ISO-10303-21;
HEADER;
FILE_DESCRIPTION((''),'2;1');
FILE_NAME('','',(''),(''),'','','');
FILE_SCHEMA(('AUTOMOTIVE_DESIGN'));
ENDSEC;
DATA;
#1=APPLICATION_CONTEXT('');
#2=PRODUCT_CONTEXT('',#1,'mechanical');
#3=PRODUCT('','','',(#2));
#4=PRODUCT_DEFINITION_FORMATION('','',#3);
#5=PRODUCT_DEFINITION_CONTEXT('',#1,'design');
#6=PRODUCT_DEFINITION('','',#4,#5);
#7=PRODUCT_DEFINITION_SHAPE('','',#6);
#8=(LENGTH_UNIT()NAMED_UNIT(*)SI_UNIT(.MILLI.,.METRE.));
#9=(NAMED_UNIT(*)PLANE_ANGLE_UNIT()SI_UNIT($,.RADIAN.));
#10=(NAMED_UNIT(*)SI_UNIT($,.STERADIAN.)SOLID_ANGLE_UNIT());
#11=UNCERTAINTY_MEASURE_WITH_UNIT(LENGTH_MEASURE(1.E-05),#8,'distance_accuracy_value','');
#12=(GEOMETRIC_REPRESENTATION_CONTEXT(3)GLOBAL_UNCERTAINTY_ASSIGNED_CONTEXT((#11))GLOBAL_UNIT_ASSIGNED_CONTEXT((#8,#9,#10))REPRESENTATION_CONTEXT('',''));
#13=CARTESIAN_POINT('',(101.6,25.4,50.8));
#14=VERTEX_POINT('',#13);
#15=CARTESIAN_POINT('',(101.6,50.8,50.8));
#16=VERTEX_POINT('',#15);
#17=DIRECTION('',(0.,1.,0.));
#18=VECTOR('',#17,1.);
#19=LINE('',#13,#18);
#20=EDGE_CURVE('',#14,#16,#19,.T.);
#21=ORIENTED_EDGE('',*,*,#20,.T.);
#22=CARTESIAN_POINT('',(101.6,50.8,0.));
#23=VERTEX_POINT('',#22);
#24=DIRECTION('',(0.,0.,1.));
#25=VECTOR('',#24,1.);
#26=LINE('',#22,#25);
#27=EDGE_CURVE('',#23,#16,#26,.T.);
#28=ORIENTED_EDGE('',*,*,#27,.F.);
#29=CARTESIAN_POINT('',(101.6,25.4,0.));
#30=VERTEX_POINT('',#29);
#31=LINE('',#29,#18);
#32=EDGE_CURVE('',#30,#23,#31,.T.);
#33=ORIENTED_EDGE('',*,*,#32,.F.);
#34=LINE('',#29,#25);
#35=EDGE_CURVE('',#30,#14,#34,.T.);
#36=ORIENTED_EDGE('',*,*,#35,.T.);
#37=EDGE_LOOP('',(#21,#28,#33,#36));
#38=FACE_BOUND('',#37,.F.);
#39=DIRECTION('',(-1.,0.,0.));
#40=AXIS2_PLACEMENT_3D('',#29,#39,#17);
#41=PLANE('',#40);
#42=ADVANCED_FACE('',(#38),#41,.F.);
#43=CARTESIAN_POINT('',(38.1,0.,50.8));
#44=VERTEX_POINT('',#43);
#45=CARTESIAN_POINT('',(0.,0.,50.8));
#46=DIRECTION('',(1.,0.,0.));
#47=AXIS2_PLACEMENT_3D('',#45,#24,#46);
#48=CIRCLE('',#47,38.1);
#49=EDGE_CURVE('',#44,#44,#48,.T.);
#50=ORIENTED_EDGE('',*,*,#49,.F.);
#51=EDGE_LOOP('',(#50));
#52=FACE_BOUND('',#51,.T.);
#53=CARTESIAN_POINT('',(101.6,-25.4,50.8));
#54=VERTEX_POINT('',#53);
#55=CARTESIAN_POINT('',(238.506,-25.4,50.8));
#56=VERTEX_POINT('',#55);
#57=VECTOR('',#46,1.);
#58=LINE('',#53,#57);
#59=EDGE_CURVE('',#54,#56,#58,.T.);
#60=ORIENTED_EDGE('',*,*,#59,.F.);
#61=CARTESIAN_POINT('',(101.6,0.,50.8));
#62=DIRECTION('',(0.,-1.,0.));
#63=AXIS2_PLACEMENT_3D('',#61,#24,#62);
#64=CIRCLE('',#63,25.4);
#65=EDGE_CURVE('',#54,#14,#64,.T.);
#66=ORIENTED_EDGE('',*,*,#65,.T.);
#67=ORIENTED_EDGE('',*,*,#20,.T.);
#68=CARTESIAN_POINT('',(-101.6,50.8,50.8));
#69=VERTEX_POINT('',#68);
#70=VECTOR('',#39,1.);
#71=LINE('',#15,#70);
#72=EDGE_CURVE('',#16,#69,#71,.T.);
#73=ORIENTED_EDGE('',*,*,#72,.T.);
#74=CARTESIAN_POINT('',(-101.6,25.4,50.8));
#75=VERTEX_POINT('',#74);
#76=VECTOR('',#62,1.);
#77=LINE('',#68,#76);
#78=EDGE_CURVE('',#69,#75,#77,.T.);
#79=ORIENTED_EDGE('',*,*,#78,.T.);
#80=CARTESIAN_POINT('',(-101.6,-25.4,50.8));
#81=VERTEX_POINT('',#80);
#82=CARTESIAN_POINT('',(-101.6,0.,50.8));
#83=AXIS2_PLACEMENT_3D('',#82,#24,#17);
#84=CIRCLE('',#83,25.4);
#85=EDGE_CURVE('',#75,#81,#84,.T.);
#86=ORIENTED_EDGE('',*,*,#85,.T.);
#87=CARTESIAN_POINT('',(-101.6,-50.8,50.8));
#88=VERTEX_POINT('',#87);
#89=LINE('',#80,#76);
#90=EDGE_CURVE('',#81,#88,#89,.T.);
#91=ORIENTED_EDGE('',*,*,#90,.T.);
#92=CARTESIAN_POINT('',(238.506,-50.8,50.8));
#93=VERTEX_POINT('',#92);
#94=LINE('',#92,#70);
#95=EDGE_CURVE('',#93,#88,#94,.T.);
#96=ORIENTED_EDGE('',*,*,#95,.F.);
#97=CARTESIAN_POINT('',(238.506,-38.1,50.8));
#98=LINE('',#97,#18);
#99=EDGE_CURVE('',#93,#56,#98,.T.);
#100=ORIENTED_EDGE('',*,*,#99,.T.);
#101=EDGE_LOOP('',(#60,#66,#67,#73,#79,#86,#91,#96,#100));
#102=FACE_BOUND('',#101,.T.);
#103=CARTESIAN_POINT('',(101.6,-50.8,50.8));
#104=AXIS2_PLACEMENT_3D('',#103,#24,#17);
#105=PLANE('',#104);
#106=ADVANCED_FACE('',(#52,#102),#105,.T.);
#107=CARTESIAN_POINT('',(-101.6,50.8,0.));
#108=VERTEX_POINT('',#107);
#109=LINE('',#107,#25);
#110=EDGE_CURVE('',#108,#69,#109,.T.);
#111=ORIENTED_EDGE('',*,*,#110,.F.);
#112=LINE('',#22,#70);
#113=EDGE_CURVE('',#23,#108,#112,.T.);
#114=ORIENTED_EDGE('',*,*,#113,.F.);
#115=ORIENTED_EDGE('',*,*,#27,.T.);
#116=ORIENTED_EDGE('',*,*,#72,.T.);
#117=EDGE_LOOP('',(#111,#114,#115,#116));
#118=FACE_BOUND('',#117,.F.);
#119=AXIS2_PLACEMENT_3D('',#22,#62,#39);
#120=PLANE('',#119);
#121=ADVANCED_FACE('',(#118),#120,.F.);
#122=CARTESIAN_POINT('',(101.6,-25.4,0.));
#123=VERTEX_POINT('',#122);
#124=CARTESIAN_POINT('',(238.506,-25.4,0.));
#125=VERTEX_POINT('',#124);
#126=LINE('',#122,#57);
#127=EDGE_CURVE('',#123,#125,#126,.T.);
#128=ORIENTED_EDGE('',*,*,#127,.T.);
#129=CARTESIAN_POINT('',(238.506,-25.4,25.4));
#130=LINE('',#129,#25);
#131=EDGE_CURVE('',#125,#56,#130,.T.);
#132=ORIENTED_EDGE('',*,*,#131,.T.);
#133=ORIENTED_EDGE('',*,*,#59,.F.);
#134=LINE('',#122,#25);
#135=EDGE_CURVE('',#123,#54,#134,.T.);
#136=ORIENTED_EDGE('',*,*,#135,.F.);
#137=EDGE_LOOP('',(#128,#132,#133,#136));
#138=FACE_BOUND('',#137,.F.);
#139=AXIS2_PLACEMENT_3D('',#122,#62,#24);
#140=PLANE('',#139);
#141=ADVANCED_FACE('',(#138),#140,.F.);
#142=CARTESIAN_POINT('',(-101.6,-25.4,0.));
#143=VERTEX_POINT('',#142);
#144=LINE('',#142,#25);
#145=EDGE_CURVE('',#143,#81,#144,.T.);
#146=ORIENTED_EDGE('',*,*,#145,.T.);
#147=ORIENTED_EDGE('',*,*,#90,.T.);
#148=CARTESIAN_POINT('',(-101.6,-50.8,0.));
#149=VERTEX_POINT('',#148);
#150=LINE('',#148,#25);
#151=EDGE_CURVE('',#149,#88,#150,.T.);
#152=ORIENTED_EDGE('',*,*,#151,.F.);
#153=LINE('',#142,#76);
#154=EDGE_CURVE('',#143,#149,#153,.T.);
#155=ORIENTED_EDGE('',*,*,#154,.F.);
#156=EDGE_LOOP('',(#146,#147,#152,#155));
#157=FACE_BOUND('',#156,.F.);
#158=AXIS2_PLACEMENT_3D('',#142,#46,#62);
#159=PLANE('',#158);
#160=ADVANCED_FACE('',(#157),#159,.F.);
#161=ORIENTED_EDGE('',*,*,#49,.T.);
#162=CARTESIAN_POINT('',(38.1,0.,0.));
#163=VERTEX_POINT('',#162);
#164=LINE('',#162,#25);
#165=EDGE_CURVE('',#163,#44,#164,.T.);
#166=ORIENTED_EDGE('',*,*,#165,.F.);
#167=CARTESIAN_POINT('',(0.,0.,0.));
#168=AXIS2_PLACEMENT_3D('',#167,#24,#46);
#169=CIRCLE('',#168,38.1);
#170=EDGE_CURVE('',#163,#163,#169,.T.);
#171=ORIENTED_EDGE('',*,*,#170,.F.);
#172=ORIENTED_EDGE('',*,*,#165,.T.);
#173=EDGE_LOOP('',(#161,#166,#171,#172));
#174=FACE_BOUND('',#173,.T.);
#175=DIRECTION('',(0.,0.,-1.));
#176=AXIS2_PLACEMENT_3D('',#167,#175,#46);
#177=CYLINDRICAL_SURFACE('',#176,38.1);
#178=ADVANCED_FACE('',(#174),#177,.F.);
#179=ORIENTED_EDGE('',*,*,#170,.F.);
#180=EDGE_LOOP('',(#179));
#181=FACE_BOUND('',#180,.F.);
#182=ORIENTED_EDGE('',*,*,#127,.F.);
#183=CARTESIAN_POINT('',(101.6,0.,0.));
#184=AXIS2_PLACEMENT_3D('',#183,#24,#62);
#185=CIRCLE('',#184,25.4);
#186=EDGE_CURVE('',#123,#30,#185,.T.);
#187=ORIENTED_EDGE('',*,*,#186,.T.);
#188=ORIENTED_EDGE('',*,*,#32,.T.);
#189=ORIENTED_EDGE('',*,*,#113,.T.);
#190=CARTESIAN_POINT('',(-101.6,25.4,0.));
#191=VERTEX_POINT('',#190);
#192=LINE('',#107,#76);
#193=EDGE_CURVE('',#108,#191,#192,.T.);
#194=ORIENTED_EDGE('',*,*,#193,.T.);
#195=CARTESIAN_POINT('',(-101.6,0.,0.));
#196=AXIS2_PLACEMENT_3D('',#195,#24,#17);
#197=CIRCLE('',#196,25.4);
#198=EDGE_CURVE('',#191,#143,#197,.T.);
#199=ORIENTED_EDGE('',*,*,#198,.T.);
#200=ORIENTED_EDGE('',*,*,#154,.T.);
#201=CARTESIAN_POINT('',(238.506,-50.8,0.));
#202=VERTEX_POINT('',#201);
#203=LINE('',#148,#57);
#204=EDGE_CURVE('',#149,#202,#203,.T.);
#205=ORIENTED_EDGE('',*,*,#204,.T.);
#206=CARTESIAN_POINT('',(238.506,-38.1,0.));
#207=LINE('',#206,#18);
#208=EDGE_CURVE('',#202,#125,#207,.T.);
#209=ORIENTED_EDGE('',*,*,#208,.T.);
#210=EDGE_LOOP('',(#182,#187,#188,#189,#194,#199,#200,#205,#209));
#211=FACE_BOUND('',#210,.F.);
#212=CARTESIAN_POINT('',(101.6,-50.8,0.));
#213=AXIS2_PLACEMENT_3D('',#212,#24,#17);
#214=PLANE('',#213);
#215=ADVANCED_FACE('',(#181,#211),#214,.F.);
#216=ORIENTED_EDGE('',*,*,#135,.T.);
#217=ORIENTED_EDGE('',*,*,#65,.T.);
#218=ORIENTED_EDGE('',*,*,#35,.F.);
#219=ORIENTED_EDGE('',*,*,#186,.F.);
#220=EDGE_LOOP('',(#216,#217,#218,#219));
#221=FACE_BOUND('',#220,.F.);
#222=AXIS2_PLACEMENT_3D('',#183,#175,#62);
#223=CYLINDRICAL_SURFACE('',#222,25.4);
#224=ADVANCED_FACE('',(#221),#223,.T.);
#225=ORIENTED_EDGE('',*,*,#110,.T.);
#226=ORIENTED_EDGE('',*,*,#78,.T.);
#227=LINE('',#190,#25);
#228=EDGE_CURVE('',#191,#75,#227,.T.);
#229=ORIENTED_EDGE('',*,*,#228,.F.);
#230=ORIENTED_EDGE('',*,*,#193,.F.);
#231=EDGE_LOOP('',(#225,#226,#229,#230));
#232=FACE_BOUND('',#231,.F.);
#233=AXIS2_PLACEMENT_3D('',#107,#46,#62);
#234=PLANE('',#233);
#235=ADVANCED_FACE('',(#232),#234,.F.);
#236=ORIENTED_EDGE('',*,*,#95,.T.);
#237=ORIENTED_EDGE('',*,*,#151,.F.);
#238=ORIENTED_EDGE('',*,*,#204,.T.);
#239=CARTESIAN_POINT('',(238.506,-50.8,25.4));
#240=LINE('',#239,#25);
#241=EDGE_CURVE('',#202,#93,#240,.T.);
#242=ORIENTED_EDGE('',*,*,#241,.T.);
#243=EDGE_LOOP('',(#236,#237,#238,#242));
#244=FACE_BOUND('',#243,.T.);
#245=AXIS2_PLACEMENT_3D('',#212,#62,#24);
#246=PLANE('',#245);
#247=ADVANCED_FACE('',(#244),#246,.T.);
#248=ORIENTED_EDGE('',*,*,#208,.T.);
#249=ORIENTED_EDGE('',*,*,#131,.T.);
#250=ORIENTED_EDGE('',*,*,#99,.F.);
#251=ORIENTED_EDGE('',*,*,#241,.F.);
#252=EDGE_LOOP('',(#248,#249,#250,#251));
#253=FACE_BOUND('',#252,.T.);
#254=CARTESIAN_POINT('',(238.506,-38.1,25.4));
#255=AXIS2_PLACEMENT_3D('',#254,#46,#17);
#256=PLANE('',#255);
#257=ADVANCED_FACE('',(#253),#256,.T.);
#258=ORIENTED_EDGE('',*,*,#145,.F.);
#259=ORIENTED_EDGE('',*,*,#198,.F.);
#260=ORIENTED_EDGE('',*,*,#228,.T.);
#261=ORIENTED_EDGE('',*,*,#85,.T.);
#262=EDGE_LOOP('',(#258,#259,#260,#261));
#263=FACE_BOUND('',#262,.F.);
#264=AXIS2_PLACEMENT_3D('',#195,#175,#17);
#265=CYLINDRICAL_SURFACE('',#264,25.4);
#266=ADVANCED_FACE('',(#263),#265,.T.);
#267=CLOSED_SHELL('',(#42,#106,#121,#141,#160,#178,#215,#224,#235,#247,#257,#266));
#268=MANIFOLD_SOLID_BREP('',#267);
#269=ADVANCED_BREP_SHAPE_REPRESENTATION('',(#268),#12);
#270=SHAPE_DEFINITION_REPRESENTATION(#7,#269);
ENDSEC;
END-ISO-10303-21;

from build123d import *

# Parameters (mm, degrees)
F0_R      = 38.1
F1_DEPTH  = 50.8
F1_FACE_W = 25.4
F1_FACE_H = 50.8
F2_DEPTH  = 136.906


with BuildPart() as f1:
    # F0 (on Top) → F1 (new body)
    with BuildSketch(Plane.XY):
        with BuildLine():
            Line((101.6, 50.8), (-101.6, 50.8))
            Line((-101.6, 50.8), (-101.6, 25.4))
            ThreePointArc((-101.6, 25.4), (-127, 0), (-101.6, -25.4))
            Line((-101.6, -25.4), (-101.6, -50.8))
            Line((-101.6, -50.8), (101.6, -50.8))
            Line((101.6, -50.8), (101.6, -25.4))
            ThreePointArc((101.6, -25.4), (127, 0), (101.6, 25.4))
            Line((101.6, 25.4), (101.6, 50.8))
        make_face()
        Circle(F0_R, mode=Mode.SUBTRACT)
    extrude(amount=F1_DEPTH)

    # F1_face (on face) → F2 (join)
    with BuildSketch(Plane(origin=(101.6, -38.1, 25.4), x_dir=(0, 1, 0), z_dir=(1, 0, 0))):
        Rectangle(F1_FACE_W, F1_FACE_H)
    extrude(amount=F2_DEPTH)


solid = f1.part
